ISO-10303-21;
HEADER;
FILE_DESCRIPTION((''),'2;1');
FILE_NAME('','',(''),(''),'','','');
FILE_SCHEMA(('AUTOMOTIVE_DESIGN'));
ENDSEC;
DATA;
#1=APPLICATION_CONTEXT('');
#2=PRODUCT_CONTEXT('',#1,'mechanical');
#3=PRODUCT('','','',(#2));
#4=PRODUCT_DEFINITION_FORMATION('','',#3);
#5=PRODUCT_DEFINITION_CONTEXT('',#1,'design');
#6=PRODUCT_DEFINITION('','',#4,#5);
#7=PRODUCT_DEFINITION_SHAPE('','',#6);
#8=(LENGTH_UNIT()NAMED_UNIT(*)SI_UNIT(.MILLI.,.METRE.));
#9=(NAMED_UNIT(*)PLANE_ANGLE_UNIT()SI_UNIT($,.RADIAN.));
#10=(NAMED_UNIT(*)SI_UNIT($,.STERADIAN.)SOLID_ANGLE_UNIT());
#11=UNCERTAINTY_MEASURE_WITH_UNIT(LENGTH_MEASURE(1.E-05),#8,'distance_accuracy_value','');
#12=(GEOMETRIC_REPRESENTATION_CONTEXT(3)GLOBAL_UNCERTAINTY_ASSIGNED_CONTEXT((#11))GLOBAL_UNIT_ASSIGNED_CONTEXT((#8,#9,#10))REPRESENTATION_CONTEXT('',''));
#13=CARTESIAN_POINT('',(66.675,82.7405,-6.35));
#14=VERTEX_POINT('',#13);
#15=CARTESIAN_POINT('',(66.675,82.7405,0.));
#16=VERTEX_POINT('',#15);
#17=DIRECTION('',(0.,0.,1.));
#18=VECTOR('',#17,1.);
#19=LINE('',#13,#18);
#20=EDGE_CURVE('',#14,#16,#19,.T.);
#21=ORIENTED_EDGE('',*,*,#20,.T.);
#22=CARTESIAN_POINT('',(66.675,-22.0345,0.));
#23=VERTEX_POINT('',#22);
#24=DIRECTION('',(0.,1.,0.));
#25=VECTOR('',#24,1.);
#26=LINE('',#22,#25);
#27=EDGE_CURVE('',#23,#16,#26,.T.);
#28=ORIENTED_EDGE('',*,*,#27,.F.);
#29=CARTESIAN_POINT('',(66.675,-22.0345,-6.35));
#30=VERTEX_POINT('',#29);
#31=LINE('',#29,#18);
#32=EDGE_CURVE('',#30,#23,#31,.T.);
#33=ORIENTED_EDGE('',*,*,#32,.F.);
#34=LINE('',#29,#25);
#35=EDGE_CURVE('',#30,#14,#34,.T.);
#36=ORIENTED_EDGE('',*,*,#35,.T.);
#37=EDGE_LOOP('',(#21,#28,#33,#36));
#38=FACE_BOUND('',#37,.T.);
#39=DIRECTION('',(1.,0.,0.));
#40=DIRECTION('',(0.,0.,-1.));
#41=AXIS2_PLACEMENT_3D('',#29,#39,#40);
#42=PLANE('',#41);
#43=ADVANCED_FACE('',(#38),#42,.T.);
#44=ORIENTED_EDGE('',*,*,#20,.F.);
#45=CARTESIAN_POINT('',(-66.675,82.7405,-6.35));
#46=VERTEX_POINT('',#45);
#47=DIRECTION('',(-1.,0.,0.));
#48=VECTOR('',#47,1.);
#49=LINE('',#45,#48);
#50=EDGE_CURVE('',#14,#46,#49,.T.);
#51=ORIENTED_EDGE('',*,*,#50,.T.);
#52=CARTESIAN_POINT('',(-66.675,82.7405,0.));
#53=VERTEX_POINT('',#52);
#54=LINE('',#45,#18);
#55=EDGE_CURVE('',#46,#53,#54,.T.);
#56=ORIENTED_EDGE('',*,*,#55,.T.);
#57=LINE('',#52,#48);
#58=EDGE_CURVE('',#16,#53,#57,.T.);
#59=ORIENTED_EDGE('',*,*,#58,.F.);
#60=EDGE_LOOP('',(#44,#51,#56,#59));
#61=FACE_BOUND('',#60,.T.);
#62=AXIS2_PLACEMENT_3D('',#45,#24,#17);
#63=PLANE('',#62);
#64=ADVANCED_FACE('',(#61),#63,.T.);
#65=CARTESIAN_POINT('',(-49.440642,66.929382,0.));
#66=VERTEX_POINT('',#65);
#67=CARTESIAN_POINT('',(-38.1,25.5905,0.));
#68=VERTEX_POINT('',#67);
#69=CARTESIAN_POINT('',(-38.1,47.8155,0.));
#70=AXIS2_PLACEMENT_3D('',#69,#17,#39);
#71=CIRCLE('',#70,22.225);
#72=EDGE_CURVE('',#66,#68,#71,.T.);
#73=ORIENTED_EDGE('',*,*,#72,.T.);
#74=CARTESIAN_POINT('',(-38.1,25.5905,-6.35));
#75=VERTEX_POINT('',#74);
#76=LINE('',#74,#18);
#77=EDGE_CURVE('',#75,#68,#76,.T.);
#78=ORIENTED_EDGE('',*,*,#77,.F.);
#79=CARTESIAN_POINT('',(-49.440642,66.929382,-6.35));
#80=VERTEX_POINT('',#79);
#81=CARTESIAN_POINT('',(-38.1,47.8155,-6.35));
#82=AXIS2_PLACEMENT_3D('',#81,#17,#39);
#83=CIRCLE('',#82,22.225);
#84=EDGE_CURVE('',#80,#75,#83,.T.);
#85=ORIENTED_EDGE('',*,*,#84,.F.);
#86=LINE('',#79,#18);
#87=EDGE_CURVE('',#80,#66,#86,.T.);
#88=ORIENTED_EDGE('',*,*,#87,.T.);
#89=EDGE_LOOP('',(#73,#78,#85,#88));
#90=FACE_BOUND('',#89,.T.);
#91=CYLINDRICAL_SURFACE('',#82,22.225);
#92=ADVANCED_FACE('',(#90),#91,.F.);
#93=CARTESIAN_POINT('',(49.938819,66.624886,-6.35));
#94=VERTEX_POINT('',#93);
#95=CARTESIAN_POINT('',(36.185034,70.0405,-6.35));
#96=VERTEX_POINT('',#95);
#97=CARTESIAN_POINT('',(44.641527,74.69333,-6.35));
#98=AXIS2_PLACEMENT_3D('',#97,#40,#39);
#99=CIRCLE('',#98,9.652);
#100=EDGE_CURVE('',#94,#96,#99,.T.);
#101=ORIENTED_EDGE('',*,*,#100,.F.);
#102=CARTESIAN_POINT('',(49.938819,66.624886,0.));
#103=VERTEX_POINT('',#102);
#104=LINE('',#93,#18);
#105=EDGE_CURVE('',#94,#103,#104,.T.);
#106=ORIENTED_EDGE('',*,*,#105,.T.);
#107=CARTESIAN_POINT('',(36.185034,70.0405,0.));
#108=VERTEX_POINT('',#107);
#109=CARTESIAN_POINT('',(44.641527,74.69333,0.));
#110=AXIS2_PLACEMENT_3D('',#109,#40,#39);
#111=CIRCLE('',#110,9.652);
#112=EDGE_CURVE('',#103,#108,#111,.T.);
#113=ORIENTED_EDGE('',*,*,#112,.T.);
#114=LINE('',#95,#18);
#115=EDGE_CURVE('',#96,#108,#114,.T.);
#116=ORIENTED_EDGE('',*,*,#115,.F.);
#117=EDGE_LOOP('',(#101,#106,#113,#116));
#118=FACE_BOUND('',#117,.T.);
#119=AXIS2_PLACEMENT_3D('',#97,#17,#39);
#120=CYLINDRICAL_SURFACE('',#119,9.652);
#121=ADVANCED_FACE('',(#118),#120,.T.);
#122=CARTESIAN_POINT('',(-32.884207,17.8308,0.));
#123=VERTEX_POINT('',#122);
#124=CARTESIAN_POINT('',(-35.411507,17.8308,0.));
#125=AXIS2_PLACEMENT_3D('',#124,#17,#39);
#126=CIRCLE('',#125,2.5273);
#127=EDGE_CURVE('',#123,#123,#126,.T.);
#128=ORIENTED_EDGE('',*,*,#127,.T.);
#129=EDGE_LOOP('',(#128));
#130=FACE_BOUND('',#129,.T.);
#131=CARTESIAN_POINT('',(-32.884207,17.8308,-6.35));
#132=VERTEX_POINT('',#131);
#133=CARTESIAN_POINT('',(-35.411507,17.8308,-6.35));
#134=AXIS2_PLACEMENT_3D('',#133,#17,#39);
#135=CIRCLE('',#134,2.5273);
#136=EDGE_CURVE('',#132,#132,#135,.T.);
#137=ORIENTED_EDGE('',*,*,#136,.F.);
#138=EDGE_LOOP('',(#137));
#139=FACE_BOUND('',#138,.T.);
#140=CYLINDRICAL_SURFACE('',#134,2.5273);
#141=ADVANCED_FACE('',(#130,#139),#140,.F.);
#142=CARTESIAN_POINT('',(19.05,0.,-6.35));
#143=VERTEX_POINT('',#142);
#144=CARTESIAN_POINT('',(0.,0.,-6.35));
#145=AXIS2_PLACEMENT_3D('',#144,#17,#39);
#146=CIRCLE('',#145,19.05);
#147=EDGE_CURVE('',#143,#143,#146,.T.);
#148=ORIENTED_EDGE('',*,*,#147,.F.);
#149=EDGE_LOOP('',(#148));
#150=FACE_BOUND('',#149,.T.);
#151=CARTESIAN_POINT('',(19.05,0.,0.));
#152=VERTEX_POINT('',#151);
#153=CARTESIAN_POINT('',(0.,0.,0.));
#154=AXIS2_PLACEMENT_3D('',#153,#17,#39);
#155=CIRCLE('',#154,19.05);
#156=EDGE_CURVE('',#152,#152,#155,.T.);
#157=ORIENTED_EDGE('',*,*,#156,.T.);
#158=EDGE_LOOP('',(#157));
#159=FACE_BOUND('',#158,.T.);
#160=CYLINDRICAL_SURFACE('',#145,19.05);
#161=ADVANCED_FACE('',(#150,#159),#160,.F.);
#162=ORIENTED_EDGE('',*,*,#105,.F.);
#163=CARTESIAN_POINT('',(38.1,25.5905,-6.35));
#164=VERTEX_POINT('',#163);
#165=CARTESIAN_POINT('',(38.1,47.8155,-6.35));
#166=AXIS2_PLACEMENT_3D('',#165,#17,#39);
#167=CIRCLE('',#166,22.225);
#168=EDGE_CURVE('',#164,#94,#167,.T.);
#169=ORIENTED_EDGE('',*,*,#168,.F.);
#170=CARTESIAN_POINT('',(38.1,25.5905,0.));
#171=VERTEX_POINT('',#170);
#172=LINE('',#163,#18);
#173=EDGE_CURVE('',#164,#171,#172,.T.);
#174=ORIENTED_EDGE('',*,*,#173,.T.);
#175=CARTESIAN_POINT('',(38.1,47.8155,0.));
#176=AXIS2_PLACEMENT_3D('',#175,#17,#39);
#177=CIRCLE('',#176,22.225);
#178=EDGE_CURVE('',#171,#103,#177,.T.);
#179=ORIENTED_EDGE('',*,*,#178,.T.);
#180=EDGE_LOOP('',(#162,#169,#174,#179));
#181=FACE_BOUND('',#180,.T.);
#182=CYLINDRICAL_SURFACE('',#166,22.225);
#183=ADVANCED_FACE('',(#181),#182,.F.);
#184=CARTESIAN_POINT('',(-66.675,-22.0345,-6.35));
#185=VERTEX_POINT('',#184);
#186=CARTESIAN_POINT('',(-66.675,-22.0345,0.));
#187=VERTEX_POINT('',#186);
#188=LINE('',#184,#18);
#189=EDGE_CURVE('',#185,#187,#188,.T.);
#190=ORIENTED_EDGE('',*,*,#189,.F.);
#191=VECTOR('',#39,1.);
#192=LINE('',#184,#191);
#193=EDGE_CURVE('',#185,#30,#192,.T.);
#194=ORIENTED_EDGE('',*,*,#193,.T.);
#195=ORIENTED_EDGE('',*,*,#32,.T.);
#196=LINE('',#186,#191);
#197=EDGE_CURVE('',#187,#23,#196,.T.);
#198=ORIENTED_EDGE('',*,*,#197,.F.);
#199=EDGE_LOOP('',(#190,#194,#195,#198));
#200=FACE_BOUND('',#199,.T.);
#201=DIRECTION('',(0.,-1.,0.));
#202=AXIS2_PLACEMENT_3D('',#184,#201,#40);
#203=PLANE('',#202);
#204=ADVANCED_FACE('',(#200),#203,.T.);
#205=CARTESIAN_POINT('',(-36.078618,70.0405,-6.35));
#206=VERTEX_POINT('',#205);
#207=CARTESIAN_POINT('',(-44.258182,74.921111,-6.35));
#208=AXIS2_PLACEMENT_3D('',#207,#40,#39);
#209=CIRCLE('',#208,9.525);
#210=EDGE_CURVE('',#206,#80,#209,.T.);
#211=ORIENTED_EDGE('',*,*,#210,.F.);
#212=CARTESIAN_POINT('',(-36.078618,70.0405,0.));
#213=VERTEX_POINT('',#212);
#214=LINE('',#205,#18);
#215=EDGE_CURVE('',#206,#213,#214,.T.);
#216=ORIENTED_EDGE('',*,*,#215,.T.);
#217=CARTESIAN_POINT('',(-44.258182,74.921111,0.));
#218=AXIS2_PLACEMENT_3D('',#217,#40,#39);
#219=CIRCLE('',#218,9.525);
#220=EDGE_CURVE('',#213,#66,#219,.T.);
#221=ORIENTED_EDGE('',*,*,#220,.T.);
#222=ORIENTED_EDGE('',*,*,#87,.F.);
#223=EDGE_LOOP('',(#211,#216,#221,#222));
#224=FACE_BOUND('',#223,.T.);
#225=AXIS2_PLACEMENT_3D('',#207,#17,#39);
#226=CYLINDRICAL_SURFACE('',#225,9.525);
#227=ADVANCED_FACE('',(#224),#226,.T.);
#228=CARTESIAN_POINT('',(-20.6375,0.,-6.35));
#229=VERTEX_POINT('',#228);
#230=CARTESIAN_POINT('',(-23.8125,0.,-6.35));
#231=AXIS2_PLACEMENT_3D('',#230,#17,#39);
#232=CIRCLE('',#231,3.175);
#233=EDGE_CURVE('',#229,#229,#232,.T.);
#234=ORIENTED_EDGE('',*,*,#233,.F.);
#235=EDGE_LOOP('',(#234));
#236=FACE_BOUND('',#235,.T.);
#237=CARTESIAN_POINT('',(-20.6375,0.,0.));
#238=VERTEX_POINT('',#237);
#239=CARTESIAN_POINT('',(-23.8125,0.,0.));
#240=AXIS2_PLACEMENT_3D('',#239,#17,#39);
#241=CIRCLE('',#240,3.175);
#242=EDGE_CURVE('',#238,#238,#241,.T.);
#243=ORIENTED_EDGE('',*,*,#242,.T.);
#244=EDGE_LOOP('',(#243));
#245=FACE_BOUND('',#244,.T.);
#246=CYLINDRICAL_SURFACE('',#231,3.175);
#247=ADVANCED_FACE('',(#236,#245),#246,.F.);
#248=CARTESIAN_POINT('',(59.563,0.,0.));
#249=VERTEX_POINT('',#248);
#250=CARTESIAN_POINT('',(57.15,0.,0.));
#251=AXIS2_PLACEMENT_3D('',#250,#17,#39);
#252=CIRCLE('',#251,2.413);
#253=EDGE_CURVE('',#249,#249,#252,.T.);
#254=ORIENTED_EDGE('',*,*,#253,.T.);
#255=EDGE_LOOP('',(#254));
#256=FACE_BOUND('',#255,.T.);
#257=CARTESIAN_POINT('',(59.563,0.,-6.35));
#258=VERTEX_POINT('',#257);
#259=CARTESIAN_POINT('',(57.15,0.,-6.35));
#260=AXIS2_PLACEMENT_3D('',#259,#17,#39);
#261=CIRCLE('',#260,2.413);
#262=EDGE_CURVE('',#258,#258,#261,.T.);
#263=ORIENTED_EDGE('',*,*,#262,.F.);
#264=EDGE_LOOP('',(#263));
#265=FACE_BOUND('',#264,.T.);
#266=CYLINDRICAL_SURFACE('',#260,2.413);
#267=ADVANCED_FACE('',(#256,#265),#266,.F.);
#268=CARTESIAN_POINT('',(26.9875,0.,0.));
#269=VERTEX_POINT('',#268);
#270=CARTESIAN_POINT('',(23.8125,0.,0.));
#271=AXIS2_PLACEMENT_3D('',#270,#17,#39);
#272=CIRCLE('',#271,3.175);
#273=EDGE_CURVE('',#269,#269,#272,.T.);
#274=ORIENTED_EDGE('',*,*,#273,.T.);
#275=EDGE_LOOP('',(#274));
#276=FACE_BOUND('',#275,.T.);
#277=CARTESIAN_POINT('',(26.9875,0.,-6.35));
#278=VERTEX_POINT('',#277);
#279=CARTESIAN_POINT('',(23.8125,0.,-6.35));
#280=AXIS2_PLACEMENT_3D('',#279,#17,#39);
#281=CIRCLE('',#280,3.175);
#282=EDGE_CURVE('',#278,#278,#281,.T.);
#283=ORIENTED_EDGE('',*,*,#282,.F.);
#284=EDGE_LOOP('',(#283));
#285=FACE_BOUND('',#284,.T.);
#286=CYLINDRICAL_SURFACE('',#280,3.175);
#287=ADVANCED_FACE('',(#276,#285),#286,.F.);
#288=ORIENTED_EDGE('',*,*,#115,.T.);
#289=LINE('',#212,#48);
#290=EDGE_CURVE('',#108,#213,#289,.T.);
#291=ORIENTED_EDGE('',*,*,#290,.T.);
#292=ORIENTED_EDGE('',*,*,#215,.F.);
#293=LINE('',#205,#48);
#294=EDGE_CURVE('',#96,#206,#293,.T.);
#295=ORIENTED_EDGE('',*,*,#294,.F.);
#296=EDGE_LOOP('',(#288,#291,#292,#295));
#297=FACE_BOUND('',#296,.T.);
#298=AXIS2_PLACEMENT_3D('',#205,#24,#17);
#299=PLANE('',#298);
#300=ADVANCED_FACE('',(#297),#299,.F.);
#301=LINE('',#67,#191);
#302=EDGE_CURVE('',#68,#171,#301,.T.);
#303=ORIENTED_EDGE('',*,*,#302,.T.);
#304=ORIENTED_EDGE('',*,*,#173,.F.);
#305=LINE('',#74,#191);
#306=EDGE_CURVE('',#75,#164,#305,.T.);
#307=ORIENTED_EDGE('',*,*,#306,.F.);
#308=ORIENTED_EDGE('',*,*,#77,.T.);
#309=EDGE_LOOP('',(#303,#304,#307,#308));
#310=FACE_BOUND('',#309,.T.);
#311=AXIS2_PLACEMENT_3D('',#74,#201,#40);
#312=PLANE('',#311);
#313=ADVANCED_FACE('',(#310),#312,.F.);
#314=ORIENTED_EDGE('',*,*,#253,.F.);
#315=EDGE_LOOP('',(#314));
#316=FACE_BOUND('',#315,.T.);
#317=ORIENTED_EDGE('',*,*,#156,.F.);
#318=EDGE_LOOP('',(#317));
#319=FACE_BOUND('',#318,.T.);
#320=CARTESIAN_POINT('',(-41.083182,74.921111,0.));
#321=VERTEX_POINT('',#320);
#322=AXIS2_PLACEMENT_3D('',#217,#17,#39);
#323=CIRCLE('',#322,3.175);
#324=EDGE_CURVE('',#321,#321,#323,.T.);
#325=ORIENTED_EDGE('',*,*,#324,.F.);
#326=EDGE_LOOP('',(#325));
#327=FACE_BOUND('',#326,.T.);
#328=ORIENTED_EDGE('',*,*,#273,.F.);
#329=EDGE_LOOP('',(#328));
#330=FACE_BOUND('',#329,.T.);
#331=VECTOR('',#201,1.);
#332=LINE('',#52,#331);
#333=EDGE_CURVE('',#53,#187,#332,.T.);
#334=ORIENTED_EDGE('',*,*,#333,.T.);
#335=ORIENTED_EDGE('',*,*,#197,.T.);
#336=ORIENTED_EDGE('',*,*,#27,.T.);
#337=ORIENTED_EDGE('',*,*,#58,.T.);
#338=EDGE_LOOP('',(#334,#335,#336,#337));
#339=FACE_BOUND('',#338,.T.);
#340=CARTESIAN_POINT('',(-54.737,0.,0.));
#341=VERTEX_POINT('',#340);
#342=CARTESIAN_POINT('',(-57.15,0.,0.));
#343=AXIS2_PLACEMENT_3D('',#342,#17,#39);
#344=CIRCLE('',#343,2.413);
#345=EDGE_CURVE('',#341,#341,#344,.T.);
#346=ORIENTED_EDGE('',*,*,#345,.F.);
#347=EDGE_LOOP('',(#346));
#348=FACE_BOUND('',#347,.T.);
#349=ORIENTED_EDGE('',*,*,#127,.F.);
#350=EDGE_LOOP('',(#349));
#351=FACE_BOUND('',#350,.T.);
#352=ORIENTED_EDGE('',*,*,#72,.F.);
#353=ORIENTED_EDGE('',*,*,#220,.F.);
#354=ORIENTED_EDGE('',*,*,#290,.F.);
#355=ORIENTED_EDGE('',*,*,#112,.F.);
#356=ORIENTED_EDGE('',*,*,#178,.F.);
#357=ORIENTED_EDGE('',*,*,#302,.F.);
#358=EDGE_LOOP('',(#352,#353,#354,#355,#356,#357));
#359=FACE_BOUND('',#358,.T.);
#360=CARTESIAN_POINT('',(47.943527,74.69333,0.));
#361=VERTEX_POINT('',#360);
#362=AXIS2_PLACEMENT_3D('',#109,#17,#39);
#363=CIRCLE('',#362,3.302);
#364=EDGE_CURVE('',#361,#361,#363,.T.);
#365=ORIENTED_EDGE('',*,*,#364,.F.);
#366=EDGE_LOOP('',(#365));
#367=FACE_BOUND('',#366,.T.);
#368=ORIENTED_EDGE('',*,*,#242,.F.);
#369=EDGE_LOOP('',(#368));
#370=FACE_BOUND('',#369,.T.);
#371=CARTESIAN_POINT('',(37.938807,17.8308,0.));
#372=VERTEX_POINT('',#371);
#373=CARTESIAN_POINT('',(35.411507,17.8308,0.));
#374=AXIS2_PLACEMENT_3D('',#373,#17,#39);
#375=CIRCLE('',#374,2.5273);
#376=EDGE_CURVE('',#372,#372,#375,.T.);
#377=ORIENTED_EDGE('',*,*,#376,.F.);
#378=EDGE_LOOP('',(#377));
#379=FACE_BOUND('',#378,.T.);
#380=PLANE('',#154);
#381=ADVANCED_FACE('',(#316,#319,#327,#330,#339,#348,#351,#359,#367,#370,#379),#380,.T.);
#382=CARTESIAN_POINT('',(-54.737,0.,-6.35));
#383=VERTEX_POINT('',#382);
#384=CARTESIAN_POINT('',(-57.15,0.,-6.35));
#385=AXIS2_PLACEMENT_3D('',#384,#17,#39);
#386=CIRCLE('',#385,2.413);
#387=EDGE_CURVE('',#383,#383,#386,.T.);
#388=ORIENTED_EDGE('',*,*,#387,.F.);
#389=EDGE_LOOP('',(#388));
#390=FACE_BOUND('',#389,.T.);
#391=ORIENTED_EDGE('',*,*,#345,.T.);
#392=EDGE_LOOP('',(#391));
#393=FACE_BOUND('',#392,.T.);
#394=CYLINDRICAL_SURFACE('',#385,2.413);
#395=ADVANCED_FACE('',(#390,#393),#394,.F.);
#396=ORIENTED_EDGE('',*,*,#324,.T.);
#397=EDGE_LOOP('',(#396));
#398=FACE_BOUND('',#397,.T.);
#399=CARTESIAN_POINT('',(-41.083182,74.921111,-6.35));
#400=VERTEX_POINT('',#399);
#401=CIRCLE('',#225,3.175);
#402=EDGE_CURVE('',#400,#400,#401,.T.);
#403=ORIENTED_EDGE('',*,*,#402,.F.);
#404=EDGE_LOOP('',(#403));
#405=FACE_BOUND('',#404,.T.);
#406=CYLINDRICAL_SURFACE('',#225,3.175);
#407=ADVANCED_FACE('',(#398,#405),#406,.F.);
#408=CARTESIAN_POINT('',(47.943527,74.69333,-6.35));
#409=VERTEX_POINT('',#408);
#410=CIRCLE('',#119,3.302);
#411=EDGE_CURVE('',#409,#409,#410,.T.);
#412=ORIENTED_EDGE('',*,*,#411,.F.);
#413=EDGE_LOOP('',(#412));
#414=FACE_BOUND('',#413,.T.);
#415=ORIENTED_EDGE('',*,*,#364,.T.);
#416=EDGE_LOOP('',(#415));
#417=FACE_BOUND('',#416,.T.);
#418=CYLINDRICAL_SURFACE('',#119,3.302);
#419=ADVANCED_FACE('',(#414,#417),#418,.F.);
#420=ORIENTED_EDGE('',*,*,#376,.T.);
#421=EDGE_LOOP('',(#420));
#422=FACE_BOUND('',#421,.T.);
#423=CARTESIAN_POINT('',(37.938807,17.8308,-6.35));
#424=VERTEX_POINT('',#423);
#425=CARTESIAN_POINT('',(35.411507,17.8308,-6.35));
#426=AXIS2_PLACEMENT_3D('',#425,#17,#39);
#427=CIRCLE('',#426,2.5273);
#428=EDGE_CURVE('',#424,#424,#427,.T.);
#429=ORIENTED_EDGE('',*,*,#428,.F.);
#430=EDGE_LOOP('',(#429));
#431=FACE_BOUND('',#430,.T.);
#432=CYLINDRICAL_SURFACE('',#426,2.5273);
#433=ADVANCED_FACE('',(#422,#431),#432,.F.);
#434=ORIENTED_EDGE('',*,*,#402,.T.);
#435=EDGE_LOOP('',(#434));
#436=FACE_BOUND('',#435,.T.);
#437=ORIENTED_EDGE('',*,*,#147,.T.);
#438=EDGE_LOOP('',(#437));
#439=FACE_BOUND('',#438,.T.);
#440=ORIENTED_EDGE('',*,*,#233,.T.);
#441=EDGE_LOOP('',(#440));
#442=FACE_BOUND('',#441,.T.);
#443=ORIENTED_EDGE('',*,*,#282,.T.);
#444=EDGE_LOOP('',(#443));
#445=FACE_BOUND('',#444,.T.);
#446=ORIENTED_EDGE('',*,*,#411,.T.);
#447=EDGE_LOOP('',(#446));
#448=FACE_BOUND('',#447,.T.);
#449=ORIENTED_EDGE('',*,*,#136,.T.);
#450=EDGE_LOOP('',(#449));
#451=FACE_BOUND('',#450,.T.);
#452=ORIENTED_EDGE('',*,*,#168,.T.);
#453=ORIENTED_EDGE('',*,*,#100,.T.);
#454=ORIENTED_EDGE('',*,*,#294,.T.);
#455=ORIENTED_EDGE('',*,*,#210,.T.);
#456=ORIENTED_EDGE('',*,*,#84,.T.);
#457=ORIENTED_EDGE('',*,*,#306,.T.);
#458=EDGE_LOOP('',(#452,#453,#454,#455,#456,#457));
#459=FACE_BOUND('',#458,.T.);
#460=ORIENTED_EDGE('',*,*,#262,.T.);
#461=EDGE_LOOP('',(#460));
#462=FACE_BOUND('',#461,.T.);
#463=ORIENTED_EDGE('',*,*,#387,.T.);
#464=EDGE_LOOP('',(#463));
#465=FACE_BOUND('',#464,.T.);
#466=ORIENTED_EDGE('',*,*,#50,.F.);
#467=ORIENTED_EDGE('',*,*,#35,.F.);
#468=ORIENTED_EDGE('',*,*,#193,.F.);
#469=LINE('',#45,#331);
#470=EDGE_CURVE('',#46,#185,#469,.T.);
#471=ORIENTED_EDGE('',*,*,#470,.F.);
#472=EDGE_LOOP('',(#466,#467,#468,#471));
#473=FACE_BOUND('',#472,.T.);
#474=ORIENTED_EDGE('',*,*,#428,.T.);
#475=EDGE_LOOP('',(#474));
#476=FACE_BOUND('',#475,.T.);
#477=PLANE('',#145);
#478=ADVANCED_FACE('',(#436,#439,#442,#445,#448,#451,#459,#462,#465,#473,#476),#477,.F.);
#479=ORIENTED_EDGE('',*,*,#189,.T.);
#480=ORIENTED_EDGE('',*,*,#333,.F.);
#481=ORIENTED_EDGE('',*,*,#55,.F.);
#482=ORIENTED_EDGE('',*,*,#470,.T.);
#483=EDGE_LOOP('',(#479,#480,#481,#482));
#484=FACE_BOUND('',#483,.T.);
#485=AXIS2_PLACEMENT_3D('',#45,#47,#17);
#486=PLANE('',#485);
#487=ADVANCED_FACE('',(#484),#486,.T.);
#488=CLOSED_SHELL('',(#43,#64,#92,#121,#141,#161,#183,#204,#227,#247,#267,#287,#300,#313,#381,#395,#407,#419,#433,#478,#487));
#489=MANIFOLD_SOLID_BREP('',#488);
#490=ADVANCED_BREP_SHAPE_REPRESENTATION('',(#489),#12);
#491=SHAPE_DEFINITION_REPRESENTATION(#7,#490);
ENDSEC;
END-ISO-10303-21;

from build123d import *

# Parameters (mm, degrees)
SKETCH1_W           = 133.35
SKETCH1_H           = 104.775
SKETCH1_R           = 2.413
SKETCH1_R_2         = 2.5273
SKETCH1_R_3         = 3.175
SKETCH1_R_4         = 19.05
SKETCH1_R_5         = 3.302
BOSS_EXTRUDE1_DEPTH = 6.35


with BuildPart() as part:
    # Sketch1 → Boss-Extrude1 (new body)
    with BuildSketch(Plane.XY):
        with Locations((0, 30.353)):
            Rectangle(SKETCH1_W, SKETCH1_H)
        with Locations((-57.15, 0)):
            Circle(SKETCH1_R, mode=Mode.SUBTRACT)
        with Locations((-35.41150672, 17.8308)):
            Circle(SKETCH1_R_2, mode=Mode.SUBTRACT)
        with Locations((-23.8125, 0)):
            Circle(SKETCH1_R_3, mode=Mode.SUBTRACT)
        Circle(SKETCH1_R_4, mode=Mode.SUBTRACT)
        with Locations((23.8125, 0)):
            Circle(SKETCH1_R_3, mode=Mode.SUBTRACT)
        with Locations((35.41150672, 17.8308)):
            Circle(SKETCH1_R_2, mode=Mode.SUBTRACT)
        with Locations((57.15, 0)):
            Circle(SKETCH1_R, mode=Mode.SUBTRACT)
        with Locations((44.64152658, 74.693330266)):
            Circle(SKETCH1_R_5, mode=Mode.SUBTRACT)
        with Locations((-44.258181609, 74.921110792)):
            Circle(SKETCH1_R_3, mode=Mode.SUBTRACT)
        with BuildLine():
            Line((-36.078617849, 70.0405), (36.185033541, 70.0405))
            ThreePointArc((36.185033541, 70.0405), (42.31521137, 65.325867347), (49.938818951, 66.624885711))
            ThreePointArc((49.938818951, 66.624885711), (59.454030327, 41.654654783), (38.1, 25.5905))
            Line((38.1, 25.5905), (-38.1, 25.5905))
            ThreePointArc((-38.1, 25.5905), (-59.533112769, 41.9356784), (-49.440641566, 66.929381706))
            ThreePointArc((-49.440641566, 66.929381706), (-42.098222799, 65.644246939), (-36.078617849, 70.0405))
        make_face(mode=Mode.SUBTRACT)
    extrude(amount=-BOSS_EXTRUDE1_DEPTH)


solid = part.part
